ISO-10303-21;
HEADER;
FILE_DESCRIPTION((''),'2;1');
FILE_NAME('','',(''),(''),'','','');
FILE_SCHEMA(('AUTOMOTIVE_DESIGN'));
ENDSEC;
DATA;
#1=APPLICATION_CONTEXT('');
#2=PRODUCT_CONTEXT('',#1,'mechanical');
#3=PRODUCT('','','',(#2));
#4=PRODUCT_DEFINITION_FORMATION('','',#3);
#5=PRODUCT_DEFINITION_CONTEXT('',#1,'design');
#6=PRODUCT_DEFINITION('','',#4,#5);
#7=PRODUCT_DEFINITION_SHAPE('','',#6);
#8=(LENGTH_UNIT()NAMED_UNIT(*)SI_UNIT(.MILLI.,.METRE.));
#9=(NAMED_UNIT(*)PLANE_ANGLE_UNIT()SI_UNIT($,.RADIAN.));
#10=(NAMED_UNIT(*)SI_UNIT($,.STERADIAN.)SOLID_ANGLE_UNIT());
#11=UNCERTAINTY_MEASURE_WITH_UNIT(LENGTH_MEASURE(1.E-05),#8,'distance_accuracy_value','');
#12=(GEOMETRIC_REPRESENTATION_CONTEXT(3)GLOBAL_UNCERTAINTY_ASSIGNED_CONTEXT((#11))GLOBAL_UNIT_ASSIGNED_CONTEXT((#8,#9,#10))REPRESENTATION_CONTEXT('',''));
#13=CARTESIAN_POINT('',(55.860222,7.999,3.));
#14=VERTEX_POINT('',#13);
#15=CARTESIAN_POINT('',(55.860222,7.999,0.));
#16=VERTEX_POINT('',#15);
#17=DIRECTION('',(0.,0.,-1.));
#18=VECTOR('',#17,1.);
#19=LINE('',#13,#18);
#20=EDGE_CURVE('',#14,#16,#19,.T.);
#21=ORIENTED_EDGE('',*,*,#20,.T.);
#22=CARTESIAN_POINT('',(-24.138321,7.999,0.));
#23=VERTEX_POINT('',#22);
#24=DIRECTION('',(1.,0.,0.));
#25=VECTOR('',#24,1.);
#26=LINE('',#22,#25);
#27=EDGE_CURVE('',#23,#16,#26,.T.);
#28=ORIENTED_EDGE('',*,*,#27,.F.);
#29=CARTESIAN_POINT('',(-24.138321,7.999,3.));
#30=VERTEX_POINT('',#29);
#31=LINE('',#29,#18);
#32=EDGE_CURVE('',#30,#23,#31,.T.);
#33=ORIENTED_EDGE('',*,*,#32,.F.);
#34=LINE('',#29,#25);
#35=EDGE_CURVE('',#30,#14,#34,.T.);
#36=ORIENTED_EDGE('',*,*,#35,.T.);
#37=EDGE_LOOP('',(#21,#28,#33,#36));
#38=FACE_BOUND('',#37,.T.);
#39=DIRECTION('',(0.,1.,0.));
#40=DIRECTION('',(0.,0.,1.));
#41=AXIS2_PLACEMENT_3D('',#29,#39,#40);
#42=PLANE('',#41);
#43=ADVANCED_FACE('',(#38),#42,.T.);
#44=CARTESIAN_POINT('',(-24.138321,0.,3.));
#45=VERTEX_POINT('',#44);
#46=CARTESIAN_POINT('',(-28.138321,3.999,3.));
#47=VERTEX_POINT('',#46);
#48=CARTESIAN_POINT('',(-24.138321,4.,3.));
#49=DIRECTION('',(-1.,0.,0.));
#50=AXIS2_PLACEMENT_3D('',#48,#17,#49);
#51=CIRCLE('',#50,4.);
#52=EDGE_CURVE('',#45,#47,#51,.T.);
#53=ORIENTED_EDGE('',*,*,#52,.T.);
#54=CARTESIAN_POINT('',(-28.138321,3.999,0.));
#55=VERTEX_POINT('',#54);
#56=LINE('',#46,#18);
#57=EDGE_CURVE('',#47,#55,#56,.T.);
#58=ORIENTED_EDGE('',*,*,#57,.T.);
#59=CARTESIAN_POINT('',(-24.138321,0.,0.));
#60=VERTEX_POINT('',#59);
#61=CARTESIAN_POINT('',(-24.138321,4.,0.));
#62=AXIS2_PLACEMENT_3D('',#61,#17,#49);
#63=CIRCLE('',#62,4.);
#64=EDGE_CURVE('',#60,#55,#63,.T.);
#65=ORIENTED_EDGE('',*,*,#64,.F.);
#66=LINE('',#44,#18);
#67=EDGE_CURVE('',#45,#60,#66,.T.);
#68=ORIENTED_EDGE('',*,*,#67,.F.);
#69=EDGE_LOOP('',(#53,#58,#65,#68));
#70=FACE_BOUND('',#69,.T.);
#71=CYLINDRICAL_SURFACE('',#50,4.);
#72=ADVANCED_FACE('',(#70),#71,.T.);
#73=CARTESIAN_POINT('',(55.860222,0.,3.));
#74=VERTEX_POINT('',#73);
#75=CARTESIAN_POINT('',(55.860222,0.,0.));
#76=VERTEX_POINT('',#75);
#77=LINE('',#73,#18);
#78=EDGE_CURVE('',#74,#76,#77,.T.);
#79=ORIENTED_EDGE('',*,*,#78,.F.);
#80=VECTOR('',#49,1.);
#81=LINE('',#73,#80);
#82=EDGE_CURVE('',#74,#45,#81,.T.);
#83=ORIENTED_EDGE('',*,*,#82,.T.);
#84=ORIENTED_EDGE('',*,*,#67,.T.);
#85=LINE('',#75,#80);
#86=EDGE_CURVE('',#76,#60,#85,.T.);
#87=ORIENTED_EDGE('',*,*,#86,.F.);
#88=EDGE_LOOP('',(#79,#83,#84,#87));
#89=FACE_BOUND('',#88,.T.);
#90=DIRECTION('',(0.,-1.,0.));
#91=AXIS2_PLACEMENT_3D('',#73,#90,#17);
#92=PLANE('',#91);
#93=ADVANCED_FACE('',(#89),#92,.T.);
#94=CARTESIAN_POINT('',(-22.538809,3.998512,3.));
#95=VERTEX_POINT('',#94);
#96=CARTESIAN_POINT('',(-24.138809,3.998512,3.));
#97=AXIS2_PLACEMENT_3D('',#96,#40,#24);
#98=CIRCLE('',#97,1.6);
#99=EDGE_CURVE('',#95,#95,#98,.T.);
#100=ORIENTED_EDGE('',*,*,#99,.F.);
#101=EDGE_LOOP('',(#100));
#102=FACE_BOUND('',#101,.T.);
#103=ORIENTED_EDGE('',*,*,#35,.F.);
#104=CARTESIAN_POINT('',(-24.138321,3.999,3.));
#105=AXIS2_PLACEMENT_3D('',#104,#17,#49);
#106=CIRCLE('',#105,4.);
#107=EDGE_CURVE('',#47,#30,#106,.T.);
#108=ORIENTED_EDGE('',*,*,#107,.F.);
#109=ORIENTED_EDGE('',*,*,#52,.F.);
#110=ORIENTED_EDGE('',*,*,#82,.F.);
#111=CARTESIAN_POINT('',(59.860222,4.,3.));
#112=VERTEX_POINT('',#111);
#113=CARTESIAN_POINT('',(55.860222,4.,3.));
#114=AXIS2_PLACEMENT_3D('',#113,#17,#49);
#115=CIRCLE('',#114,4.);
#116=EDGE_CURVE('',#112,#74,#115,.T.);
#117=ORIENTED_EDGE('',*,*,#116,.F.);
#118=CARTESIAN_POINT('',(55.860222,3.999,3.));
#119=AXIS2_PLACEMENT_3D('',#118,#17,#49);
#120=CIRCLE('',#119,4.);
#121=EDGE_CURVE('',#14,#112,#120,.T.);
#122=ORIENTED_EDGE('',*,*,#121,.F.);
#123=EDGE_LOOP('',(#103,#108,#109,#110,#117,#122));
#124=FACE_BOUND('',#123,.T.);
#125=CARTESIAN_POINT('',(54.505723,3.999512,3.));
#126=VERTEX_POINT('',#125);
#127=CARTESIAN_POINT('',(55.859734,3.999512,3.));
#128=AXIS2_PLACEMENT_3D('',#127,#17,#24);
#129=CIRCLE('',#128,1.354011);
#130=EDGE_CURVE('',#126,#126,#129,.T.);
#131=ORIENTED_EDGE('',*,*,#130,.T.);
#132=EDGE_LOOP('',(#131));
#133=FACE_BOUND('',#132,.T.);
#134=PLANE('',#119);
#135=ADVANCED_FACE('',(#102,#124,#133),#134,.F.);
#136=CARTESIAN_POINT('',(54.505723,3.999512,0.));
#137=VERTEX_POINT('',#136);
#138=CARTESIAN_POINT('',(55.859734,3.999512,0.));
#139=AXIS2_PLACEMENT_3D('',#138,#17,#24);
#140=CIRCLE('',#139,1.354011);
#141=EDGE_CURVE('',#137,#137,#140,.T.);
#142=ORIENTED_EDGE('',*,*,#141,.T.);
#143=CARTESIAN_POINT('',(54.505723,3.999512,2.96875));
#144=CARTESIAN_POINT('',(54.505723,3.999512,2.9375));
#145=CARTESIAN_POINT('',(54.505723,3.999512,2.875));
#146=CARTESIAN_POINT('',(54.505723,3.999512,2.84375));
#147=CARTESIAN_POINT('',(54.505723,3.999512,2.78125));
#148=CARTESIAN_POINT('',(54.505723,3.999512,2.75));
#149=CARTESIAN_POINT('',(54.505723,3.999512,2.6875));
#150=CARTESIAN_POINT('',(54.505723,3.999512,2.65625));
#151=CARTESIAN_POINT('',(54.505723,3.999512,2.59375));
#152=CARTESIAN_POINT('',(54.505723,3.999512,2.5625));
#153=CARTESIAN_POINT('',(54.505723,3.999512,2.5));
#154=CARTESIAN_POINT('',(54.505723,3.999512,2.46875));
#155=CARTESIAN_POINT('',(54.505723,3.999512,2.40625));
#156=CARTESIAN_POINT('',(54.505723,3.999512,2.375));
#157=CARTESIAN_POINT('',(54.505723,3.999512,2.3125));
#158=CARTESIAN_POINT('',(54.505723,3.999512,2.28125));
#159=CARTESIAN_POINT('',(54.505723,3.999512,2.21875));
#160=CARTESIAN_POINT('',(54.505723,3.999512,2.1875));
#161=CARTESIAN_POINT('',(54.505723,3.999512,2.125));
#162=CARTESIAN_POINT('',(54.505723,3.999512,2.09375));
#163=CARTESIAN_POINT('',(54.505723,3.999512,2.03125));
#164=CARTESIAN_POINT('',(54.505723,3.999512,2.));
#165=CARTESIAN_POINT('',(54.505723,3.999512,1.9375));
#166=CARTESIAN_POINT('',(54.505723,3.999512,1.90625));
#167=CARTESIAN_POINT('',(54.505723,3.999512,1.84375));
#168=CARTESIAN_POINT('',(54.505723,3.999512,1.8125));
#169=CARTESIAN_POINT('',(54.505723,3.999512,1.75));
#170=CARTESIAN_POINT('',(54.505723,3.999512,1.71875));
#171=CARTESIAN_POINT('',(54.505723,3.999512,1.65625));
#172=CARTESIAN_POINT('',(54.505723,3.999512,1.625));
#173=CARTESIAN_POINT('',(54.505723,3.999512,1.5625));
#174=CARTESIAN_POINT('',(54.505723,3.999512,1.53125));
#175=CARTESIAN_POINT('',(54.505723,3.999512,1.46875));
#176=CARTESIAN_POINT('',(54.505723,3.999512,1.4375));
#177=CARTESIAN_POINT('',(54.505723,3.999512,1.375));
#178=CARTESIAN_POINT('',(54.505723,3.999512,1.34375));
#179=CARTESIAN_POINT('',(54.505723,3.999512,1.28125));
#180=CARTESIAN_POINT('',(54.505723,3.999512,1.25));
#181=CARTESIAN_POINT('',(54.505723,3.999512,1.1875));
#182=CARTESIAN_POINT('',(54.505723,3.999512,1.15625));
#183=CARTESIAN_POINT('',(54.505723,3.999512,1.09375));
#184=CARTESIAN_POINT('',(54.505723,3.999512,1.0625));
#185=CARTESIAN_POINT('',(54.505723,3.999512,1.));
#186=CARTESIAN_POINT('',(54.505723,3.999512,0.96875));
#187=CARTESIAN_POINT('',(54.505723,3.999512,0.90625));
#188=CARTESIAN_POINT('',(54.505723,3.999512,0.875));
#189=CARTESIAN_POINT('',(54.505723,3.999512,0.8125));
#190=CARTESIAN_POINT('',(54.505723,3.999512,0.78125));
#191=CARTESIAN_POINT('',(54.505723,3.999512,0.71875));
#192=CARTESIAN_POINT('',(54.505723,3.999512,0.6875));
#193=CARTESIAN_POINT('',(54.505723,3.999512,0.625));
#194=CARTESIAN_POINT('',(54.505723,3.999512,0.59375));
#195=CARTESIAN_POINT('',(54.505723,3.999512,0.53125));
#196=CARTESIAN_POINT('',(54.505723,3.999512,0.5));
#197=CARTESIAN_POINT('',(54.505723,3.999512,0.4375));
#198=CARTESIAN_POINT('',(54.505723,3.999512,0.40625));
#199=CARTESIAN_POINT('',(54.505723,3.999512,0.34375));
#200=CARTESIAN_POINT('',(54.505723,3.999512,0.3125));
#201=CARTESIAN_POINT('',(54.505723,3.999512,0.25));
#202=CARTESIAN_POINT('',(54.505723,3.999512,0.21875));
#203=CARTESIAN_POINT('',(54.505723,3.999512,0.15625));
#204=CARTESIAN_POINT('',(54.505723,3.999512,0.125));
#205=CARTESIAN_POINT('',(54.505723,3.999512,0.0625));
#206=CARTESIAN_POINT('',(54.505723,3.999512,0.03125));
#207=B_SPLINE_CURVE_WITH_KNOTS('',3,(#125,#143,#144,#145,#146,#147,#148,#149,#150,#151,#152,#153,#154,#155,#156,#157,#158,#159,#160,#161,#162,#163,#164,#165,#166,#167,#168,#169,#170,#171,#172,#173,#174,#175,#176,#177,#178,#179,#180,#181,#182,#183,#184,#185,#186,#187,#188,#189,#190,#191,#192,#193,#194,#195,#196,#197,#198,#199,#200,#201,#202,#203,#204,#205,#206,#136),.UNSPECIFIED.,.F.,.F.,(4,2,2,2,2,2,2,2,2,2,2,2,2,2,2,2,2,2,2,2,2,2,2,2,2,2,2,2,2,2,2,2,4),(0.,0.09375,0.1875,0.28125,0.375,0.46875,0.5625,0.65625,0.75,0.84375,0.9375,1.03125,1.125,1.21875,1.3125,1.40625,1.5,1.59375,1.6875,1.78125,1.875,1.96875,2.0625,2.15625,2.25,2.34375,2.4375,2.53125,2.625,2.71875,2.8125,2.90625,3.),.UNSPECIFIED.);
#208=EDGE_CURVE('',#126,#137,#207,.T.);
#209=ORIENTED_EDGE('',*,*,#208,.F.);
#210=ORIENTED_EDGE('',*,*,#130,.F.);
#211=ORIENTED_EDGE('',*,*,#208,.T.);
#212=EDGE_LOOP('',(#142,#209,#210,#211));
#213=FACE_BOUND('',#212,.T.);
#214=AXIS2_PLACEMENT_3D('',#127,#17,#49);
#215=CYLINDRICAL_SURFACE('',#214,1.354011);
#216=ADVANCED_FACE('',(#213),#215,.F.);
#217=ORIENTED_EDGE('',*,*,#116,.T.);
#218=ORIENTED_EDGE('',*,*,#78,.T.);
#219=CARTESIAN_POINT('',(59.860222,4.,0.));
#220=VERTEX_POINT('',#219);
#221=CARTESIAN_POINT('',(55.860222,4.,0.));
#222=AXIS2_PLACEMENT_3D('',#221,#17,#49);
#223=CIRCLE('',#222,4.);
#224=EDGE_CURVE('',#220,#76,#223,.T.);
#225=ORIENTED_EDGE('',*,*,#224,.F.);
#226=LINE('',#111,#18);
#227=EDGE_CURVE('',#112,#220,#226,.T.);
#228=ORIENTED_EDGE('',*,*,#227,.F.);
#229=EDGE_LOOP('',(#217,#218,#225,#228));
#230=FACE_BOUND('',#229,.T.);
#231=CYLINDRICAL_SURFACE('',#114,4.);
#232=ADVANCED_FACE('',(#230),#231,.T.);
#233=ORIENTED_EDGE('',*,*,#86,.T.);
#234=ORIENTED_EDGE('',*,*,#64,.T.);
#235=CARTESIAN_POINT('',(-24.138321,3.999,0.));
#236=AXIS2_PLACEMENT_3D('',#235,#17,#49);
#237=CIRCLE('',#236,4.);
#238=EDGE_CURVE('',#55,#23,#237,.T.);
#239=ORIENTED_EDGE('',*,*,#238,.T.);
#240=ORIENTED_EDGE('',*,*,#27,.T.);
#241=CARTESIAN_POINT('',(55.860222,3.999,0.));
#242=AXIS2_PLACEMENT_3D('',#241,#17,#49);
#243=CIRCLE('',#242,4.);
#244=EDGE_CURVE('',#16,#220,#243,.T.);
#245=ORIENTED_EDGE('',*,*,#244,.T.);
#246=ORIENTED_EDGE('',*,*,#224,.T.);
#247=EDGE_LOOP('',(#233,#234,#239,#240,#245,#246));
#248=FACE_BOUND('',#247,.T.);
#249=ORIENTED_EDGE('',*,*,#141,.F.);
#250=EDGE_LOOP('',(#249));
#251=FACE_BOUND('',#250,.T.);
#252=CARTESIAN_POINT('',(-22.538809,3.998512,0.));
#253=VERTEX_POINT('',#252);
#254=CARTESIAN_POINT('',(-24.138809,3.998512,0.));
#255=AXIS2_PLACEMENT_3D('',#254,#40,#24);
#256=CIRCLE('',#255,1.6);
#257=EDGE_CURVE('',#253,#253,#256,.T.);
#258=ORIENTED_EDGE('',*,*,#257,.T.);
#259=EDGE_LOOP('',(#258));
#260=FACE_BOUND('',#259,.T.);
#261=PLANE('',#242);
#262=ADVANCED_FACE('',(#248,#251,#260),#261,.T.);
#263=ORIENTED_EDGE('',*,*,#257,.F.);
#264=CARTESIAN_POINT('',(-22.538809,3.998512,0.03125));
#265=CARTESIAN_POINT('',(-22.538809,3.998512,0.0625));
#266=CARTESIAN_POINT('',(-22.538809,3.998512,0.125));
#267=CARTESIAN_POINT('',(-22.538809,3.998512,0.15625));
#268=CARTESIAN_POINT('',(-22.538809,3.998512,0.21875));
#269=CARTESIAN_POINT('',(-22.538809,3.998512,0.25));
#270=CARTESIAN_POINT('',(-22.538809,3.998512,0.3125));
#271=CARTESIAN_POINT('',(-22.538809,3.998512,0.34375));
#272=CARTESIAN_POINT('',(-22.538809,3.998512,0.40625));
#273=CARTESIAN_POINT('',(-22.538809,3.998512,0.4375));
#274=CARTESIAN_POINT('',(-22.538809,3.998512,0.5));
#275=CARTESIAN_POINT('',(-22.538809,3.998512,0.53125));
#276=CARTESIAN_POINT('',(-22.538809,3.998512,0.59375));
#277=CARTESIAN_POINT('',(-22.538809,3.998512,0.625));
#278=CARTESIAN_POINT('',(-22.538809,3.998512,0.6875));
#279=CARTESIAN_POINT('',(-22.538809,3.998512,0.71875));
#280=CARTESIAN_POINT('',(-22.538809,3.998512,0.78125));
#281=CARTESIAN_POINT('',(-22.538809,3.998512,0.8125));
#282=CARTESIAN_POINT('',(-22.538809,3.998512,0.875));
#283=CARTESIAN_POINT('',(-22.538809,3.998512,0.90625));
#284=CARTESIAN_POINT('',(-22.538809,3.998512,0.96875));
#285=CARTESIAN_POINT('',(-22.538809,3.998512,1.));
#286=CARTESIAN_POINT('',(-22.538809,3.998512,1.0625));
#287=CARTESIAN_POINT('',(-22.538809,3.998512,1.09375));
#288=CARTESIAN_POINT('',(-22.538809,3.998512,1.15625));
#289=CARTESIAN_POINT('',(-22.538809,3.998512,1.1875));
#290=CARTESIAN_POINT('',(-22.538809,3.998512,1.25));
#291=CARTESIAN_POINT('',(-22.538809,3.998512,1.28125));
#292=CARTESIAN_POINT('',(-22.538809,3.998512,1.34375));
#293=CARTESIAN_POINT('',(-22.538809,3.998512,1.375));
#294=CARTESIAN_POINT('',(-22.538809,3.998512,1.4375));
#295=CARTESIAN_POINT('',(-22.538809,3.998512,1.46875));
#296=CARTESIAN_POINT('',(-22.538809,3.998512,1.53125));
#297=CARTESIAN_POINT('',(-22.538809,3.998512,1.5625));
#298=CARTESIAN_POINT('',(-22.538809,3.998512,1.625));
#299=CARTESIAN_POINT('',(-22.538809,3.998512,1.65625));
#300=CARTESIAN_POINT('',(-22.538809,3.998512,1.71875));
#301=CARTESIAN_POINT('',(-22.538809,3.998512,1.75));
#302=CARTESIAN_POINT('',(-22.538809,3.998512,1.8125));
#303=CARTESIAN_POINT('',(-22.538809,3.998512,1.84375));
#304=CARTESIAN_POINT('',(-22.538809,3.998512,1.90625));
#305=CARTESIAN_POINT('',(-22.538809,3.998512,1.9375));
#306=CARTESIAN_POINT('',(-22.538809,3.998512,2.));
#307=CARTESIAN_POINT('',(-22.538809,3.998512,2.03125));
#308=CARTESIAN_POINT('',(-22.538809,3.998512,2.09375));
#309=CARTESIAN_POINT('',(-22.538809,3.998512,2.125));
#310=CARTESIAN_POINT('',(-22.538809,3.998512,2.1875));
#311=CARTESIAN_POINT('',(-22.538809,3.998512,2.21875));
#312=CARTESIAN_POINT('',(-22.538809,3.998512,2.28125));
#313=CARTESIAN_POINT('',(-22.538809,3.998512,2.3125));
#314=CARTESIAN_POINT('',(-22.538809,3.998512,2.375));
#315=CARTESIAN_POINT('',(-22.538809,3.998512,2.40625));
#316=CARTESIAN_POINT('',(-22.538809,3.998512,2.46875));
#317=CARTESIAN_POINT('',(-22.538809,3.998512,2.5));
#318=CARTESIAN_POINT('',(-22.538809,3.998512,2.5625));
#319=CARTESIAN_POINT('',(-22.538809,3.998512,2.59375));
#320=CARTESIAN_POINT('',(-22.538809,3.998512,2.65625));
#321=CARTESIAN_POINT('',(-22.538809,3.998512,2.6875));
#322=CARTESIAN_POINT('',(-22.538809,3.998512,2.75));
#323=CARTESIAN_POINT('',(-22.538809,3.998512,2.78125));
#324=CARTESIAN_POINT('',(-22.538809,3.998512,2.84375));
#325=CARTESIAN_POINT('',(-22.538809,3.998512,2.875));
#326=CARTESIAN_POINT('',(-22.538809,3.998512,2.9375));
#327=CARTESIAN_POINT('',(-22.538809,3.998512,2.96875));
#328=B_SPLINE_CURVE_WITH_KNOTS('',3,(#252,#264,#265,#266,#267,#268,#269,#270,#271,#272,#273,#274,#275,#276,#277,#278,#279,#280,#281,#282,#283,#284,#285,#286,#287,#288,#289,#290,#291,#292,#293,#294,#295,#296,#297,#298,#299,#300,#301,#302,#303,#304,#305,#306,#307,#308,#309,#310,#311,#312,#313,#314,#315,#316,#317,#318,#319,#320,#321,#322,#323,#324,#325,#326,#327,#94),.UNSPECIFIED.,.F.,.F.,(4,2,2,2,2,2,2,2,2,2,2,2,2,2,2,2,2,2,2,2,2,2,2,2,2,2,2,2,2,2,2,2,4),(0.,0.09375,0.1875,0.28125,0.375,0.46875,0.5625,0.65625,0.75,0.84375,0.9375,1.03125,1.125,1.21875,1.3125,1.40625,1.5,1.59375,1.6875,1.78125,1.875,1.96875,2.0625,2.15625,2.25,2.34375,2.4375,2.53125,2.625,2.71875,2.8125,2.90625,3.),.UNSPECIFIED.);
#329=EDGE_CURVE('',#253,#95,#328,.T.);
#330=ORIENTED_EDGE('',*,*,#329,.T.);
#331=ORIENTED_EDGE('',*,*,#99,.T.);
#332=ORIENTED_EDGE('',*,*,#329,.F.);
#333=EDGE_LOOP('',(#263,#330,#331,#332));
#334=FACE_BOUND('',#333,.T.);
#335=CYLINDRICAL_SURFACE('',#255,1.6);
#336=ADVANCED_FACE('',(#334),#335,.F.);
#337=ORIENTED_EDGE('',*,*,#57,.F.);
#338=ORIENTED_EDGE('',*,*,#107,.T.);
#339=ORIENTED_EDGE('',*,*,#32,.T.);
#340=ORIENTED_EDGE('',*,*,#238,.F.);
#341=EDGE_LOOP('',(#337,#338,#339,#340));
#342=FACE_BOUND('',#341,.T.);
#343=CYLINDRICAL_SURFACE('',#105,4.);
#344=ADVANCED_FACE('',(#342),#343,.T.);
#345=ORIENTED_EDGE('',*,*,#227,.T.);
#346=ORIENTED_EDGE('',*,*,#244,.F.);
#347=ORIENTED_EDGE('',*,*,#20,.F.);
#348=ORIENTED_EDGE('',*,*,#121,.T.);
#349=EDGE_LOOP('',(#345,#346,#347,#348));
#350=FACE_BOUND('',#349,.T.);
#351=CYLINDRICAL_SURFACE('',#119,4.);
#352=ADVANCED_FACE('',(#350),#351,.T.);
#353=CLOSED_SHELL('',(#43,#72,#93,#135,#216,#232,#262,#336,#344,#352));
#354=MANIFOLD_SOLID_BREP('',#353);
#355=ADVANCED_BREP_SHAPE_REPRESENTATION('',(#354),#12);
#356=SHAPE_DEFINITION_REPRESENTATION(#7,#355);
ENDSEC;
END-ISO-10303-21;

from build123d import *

# Parameters (mm, degrees)
SKETCH_1_R          = 1.354010502
EXTRUDE_1_DEPTH     = 3
SKETCH_2_R          = 1.6
CUT_EXTRUDE_1_DEPTH = 61.466769186


with BuildPart() as part:
    # 草图1 → 凸台-拉伸1 (new body)
    with BuildSketch(Plane(origin=(0, 0, 0), x_dir=(-1, 0, 0), z_dir=(0, 0, -1))):
        with BuildLine():
            Line((-55.860221974, 0), (24.13832066, 0))
            ThreePointArc((24.13832066, 0), (26.966394209, 1.171219344), (28.138320535, 3.999))
            ThreePointArc((28.138320535, 3.999), (26.96674766, 6.827427125), (24.138320535, 7.999))
            Line((24.138320535, 7.999), (-55.860222099, 7.999))
            ThreePointArc((-55.860222099, 7.999), (-58.688295648, 6.827780656), (-59.860221974, 4))
            ThreePointArc((-59.860221974, 4), (-58.688649099, 1.171572875), (-55.860221974, 0))
        make_face()
        with Locations((24.138809001, 3.998511534)):
            Circle(SKETCH_1_R, mode=Mode.SUBTRACT)
        with Locations((-55.859733508, 3.999511534)):
            Circle(SKETCH_1_R, mode=Mode.SUBTRACT)
    extrude(amount=-EXTRUDE_1_DEPTH)

    # 草图2 → 切除-拉伸1 (cut, through all)
    with BuildSketch(Plane.XY.offset(3)):
        with Locations((-24.138809001, 3.998511534)):
            Circle(SKETCH_2_R)
    extrude(amount=-CUT_EXTRUDE_1_DEPTH, mode=Mode.SUBTRACT)


solid = part.part
